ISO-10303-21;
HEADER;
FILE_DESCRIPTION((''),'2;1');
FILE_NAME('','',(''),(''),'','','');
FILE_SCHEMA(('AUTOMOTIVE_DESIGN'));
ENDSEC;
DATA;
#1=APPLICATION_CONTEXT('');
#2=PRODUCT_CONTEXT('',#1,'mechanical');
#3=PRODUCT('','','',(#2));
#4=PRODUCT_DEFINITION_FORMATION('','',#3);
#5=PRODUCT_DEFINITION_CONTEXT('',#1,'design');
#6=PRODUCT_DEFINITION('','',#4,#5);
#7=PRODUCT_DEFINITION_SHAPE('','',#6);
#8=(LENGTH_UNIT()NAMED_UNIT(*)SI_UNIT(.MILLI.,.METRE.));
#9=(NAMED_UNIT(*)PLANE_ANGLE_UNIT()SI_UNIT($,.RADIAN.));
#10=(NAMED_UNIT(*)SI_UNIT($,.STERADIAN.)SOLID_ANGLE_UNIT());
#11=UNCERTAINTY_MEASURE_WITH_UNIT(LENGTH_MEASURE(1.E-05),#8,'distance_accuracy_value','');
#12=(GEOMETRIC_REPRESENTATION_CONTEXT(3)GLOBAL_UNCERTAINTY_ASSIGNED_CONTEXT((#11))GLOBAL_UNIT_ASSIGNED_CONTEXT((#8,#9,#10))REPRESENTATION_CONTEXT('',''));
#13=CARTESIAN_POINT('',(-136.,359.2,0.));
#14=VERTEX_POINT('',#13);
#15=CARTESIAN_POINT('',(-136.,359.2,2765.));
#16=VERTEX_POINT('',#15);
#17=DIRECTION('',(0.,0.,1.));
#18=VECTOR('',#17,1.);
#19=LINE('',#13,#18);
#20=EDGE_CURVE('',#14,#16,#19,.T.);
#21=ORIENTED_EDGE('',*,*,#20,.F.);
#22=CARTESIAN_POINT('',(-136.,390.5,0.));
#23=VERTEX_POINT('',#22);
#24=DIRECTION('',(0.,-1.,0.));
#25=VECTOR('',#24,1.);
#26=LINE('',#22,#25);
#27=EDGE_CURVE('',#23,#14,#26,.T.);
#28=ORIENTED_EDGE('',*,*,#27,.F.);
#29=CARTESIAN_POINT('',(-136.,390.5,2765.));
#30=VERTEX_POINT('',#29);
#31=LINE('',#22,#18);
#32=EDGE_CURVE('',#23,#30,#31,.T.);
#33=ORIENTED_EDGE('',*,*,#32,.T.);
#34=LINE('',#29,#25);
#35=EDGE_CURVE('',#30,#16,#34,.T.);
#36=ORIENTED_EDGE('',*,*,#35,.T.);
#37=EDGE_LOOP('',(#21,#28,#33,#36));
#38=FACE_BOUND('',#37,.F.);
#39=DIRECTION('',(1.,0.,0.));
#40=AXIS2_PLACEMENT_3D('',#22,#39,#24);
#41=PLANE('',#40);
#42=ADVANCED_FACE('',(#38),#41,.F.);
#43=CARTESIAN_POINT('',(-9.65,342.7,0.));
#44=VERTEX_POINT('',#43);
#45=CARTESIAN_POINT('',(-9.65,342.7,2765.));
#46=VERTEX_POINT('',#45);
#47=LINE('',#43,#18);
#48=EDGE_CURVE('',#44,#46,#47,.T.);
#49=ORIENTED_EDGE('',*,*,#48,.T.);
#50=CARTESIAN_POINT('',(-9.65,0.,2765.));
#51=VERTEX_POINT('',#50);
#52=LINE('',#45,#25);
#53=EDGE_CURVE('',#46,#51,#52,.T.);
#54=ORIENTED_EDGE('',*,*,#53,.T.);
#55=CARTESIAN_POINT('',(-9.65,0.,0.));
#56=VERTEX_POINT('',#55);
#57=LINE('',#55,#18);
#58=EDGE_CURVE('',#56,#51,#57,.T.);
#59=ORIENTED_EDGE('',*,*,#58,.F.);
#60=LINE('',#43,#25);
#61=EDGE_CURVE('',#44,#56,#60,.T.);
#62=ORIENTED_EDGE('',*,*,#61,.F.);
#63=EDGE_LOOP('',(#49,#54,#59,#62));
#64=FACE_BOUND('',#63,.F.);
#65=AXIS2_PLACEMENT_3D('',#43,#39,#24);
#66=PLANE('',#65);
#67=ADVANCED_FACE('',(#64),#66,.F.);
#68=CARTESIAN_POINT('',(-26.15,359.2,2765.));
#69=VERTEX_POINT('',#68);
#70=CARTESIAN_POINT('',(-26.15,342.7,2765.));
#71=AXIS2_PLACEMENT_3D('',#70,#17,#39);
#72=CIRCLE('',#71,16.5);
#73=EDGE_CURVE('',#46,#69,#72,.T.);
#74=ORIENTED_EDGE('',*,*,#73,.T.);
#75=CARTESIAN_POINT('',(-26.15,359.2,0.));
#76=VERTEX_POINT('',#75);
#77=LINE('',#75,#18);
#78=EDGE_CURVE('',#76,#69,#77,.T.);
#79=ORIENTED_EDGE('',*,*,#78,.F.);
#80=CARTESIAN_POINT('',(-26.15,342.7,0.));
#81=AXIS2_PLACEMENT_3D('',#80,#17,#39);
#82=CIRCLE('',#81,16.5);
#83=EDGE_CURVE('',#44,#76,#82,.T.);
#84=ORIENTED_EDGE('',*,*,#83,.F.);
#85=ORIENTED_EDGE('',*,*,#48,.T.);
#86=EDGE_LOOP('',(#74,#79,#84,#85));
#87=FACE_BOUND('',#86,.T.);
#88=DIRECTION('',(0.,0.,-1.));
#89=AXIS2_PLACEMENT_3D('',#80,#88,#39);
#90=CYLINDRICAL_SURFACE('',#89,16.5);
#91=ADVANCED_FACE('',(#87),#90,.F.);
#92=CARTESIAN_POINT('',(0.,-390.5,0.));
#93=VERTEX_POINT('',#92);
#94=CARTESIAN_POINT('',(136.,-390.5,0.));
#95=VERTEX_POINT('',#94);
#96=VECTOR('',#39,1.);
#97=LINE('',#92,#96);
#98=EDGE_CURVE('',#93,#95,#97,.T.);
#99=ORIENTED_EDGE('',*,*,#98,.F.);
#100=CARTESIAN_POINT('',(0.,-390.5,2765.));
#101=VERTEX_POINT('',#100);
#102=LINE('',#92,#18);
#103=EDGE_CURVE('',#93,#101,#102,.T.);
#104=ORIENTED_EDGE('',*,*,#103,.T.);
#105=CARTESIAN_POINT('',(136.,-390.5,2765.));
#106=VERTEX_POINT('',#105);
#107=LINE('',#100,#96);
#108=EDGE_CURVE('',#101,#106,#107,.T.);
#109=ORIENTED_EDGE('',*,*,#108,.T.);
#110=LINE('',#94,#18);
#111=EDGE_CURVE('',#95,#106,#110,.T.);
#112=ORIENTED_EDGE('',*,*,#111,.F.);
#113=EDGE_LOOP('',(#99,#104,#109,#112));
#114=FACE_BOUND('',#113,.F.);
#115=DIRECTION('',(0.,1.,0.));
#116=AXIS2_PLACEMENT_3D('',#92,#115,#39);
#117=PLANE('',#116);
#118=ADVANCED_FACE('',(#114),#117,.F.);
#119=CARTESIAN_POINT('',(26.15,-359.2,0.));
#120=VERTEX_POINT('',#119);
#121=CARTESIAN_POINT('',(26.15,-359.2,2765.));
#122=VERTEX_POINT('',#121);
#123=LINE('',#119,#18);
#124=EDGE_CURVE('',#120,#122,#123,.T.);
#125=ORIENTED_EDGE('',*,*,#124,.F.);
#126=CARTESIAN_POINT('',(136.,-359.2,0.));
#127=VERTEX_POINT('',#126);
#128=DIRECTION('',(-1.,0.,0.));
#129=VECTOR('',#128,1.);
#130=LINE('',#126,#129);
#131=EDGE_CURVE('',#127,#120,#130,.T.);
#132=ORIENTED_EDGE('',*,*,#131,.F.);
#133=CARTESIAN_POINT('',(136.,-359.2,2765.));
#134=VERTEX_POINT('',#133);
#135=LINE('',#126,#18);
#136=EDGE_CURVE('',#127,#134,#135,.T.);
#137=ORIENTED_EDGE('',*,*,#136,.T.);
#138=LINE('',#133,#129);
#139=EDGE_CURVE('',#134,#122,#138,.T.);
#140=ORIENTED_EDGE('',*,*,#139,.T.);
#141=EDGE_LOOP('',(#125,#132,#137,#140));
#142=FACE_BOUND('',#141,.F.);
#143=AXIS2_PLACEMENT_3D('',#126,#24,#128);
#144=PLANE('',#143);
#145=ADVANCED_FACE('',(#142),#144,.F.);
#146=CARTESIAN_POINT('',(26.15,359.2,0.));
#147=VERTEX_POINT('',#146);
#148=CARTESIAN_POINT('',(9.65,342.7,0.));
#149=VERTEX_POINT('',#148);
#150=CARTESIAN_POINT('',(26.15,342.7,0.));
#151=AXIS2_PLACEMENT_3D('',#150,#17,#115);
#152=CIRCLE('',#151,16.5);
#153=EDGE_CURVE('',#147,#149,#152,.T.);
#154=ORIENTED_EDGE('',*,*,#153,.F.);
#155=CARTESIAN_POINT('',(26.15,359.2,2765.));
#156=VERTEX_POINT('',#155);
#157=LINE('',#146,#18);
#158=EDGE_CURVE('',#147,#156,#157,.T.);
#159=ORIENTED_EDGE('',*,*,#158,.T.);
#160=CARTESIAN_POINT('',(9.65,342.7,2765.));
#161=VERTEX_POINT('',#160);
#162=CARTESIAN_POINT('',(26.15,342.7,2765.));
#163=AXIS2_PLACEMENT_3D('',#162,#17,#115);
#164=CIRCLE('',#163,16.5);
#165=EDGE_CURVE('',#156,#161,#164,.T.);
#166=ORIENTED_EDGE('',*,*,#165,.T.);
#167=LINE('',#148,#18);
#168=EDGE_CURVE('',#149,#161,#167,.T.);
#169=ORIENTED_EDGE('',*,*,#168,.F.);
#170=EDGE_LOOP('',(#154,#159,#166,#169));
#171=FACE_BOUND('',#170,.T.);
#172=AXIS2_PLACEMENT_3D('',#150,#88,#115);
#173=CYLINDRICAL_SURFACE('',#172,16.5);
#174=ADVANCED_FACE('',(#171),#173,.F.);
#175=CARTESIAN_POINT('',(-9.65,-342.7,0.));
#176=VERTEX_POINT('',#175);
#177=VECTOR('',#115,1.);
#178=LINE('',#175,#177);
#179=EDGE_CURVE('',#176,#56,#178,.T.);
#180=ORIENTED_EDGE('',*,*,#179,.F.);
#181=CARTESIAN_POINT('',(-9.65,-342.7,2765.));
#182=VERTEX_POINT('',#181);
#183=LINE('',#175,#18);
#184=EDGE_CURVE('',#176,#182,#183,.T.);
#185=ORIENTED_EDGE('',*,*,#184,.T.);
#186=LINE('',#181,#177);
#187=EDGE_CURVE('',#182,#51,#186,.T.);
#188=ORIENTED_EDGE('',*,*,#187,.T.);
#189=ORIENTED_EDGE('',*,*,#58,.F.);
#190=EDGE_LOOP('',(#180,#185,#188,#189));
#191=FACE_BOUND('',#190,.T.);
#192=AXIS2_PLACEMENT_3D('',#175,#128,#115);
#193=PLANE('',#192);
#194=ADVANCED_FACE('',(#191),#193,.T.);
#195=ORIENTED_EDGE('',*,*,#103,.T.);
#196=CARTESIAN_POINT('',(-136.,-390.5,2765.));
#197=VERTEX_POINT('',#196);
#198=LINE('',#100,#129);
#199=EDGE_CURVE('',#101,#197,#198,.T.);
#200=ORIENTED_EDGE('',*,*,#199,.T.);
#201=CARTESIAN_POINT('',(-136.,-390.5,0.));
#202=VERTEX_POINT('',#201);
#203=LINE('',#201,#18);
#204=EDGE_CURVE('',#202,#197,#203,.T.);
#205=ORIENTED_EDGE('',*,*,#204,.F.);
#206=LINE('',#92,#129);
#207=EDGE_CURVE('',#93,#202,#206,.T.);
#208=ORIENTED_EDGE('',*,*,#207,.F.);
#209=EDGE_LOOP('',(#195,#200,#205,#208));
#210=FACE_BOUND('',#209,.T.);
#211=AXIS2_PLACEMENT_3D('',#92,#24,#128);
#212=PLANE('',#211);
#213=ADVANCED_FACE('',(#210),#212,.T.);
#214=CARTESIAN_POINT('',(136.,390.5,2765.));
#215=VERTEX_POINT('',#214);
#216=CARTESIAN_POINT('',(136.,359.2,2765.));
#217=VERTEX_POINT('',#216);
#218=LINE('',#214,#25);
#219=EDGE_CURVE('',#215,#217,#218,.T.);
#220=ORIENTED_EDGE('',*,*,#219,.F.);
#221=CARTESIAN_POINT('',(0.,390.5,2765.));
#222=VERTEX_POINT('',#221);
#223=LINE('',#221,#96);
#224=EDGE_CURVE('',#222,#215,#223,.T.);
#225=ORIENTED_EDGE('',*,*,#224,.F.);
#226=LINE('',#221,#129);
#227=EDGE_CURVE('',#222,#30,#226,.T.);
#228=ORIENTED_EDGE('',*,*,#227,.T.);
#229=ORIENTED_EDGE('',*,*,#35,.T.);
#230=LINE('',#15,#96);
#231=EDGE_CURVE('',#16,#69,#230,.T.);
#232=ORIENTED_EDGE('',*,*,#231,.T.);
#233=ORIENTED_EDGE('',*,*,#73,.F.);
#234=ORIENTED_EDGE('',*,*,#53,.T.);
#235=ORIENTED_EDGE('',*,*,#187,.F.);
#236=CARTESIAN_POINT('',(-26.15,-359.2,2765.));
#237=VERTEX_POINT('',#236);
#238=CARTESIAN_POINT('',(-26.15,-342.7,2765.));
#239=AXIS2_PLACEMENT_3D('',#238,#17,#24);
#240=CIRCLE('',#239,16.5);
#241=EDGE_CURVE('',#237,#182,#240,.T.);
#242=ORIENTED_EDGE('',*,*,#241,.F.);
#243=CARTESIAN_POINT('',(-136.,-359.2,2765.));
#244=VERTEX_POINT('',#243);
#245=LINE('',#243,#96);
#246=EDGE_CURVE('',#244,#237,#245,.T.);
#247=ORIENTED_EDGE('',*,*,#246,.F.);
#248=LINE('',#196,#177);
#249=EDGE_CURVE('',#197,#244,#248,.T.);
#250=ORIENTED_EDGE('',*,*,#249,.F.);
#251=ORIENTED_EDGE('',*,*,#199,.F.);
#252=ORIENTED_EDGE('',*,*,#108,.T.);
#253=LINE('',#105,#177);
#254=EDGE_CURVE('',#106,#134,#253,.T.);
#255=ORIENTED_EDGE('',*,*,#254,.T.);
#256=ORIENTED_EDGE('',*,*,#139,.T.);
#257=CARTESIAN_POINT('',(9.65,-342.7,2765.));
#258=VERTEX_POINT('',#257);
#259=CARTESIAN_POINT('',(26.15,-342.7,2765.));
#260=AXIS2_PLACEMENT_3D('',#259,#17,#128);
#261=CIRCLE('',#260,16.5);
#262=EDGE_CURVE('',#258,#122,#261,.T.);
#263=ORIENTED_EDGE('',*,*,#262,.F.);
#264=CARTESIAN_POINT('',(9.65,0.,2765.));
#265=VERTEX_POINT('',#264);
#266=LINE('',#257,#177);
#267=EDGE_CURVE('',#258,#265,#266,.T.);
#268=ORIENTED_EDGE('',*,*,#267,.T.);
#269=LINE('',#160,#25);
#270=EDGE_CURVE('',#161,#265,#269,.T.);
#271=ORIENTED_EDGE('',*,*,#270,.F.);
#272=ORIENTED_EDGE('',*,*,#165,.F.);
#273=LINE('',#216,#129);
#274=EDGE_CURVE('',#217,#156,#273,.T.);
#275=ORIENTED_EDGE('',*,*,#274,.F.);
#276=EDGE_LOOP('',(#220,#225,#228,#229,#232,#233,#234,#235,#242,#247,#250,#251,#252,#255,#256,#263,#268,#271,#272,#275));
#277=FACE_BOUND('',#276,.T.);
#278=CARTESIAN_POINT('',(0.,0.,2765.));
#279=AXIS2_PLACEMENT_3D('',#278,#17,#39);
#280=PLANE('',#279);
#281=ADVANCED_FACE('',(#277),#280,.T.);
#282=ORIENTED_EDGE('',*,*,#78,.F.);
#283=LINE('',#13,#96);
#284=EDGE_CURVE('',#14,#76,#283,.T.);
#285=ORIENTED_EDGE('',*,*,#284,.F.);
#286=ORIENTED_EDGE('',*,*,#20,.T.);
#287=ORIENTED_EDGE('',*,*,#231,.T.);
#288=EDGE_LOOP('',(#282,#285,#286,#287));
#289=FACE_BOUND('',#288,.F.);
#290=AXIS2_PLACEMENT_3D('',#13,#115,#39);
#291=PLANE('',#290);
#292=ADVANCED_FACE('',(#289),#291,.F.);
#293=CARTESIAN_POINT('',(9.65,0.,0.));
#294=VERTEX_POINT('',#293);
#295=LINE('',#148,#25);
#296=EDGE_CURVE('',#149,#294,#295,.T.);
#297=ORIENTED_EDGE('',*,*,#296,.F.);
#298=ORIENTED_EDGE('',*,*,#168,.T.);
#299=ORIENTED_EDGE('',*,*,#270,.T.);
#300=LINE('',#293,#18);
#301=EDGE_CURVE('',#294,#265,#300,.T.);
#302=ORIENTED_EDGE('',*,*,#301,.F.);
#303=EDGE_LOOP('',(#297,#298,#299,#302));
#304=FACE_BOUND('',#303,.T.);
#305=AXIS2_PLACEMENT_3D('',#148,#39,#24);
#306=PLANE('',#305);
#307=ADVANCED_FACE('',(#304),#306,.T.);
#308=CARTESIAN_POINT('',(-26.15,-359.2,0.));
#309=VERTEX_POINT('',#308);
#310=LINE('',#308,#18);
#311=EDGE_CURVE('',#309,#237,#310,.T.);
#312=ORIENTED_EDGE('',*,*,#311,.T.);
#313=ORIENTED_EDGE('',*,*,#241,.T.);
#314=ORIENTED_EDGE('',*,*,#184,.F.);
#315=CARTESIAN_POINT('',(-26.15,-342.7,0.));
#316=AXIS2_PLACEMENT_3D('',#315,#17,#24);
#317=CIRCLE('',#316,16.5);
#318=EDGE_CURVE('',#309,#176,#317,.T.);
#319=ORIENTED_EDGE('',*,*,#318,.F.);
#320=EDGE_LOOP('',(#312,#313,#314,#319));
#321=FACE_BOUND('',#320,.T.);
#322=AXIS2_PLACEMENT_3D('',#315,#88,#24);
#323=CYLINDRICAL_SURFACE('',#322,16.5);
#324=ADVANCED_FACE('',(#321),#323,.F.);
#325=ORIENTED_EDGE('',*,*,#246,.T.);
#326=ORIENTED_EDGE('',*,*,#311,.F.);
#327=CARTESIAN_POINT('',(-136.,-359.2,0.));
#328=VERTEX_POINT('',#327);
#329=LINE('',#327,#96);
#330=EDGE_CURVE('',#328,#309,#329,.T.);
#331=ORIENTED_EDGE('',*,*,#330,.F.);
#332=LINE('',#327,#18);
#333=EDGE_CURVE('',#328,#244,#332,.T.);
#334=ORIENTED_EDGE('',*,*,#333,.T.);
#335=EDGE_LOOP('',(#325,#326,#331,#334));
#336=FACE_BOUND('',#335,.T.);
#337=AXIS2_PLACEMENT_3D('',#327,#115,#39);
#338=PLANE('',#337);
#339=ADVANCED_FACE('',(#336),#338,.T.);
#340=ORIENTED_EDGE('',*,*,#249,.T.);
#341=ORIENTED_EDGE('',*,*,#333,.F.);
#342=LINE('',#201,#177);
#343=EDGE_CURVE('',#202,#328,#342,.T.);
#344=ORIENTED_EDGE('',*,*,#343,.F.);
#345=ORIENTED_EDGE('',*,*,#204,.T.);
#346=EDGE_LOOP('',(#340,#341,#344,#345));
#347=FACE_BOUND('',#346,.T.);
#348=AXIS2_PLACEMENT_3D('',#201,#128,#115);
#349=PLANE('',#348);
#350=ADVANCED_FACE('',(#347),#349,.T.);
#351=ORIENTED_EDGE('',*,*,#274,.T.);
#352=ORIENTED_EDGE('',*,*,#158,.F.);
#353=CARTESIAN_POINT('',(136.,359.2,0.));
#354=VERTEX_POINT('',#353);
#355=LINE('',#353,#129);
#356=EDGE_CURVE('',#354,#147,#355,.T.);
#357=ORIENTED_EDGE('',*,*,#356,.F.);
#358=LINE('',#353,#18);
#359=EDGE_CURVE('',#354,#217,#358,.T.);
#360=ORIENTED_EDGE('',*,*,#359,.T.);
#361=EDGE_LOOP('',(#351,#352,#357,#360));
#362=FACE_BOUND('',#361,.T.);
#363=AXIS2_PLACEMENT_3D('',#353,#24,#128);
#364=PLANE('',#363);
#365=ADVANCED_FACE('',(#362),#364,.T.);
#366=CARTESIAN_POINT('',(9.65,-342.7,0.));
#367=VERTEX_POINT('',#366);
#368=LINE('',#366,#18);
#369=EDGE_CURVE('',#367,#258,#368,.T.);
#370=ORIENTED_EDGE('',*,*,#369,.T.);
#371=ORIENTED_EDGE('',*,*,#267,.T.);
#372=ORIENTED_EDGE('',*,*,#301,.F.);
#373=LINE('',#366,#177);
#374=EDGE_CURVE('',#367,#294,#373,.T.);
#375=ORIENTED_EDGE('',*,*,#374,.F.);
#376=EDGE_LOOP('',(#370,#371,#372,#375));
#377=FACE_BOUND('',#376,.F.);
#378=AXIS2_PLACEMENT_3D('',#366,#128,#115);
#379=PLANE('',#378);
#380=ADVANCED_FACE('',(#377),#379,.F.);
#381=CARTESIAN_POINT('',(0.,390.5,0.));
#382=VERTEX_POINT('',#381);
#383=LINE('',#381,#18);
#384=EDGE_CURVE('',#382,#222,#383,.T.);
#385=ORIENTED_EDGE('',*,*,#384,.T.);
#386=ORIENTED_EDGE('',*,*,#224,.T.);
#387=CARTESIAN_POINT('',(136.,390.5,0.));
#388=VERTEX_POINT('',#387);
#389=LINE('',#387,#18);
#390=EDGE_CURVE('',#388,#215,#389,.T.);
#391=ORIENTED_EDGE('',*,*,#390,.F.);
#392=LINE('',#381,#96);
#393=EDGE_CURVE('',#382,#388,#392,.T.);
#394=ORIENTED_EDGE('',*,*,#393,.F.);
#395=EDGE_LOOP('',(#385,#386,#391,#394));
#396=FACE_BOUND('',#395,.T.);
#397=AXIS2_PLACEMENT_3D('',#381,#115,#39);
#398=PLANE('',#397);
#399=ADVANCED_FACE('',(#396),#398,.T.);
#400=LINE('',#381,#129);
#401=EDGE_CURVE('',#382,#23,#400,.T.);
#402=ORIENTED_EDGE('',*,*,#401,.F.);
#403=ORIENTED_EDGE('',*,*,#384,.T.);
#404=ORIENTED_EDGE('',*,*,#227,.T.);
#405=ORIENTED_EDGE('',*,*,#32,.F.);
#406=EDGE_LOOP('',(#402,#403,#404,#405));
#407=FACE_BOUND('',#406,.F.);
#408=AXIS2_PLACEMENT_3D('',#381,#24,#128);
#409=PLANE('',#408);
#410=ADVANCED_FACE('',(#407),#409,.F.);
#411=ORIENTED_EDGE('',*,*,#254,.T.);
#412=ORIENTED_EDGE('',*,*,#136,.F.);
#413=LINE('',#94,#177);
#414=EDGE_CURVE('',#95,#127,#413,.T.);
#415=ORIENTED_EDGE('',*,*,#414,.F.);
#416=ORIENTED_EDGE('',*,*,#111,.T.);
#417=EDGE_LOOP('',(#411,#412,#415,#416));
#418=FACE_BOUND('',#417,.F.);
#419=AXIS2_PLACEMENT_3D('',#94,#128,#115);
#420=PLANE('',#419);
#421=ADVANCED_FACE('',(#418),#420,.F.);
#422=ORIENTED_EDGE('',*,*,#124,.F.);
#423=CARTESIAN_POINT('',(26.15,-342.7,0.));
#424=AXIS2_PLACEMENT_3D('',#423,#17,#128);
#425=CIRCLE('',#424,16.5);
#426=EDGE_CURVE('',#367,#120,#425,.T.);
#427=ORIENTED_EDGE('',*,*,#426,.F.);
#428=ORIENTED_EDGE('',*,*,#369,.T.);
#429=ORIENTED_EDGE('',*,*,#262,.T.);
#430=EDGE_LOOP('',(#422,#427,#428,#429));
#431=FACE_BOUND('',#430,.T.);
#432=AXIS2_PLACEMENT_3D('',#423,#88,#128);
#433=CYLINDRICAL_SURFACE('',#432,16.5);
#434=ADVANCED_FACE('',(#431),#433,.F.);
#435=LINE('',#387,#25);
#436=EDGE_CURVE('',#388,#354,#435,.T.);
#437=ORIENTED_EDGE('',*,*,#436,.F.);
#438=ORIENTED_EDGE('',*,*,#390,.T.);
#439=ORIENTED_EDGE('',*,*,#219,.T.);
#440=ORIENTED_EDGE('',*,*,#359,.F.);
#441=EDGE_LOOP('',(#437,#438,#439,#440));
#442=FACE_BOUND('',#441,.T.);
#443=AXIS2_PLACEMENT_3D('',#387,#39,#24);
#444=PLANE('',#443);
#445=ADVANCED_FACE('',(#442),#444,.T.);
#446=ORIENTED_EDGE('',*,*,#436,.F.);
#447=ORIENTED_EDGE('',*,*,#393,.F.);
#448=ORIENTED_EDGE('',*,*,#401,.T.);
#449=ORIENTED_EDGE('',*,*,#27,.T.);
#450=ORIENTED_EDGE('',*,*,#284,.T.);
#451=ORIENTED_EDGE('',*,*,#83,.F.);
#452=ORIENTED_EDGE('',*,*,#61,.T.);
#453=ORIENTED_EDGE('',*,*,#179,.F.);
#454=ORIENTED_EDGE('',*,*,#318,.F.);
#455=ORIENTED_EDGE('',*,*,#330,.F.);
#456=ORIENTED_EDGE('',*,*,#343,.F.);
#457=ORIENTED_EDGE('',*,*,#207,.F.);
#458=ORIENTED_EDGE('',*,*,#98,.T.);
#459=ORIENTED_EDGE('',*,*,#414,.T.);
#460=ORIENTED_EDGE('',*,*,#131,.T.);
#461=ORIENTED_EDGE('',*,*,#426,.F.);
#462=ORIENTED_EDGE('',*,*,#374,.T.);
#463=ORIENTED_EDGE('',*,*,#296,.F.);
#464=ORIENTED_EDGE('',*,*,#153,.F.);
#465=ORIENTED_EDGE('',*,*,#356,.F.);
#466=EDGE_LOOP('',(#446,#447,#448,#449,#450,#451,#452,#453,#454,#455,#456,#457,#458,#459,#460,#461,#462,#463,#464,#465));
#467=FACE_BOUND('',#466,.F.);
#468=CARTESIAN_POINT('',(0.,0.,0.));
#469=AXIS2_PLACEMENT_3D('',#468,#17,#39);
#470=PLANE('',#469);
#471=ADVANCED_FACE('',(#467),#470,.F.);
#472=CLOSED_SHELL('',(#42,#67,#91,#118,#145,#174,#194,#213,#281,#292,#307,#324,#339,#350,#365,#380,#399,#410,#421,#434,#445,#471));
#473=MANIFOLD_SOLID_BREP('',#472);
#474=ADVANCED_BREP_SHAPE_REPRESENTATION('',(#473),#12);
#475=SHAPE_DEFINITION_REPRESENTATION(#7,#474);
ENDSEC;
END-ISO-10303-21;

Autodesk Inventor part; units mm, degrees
ref_plane "YZ Plane" through (0, 0, 0) normal (1, 0, 0) x (0, 1, 0)
ref_plane "Start plane" through (0, 0, 0) normal (0, 0, 1) x (1, 0, 0)
ref_plane "End plane" through (0, 0, 2765) normal (0, 0, 1) x (1, 0, 0)
sketch "Sketch" plane through (0, 0, 0) normal (0, 0, 1) x (1, 0, 0)
  line L0 (-136, -390.5) -> (-136, -359.2)
  line L1 (-136, -359.2) -> (-26.15, -359.2)
  line L2 (-9.65, -342.7) -> (-9.65, 0)
  line L3 (-9.65, 0) -> (0, 0) construction
  line L4 (0, 0) -> (0, -390.5) construction
  line L5 (0, -390.5) -> (-136, -390.5)
  line L6 (-60, 0) -> (80, 0) construction
  line L7 (0, -60) -> (0, 80) construction
  line L8 (136, -390.5) -> (136, -359.2)
  line L9 (136, -359.2) -> (26.15, -359.2)
  line L10 (9.65, -342.7) -> (9.65, 0)
  line L11 (9.65, 0) -> (0, 0) construction
  line L12 (0, -390.5) -> (136, -390.5)
  line L13 (-136, 390.5) -> (-136, 359.2)
  line L14 (-136, 359.2) -> (-26.15, 359.2)
  line L15 (-9.65, 342.7) -> (-9.65, 0)
  line L16 (0, 390.5) -> (-136, 390.5)
  line L17 (136, 390.5) -> (136, 359.2)
  line L18 (136, 359.2) -> (26.15, 359.2)
  line L19 (0, 390.5) -> (136, 390.5)
  line L20 (9.65, 342.7) -> (9.65, 0)
  arc A0 (-9.65, 342.7) -> (-26.15, 359.2) centre (-26.15, 342.7) ccw
  arc A1 (26.15, 359.2) -> (9.65, 342.7) centre (26.15, 342.7) ccw
  arc A2 (9.65, -342.7) -> (26.15, -359.2) centre (26.15, -342.7) ccw
  arc A3 (-26.15, -359.2) -> (-9.65, -342.7) centre (-26.15, -342.7) ccw
  line L21 (0, 108) -> (0, -88) construction
  line L22 (-88, 0) -> (108, 0) construction
  point P0 (-9.65, -359.2)
  point P1 (9.65, -359.2)
  point P2 (-9.65, 359.2)
  point P3 (9.65, 359.2)
  dimension "d1" = 390.5
  dimension "d2" = 31.3
  dimension "d3" = 136
  dimension "d4" = 9.65
  dimension "d10" = 16.5
extrude "Body" add sketch "Sketch" along normal up to surface (2765 mm away) from surface at 0
sketch "Sketch4" plane through (0, 0, 0) normal (0, 0, 1) x (1, 0, 0)
  line L0 (0, 0) -> (10, 0)
ref_plane "Work Plane3" through (0, 0, 0) normal (0, -1, 0) x (1, 0, 0)
sketch "Sketch5" plane through (0, 0, 0) normal (0, -1, 0) x (1, 0, 0)
  line L0 (-2, 0) -> (12, 0) projected
  line L1 (-2, 2765) -> (12, 2765) projected
  dimension "d14" = 2765
equation "\"d1\" = 0.5 * G_H"
equation "\"d2\" = G_T1"
equation "\"d3\" = 0.5 * G_W"
equation "\"d4\" = 0.5 * G_T"
equation "\"d10\" = G_IR"
equation "\"d5\" = G_L"
equation "\"G_W\" = 272"
equation "\"G_H\" = 781"
equation "\"G_T\" = 19.3"
equation "\"G_T1\" = 31.3"
equation "\"G_IR\" = 16.5"
equation "\"G_L\" = d14"
equation "\"G_OFFSET_START\" = 0"
equation "\"G_OFFSET_END\" = 0"
equation "\"d12\" = G_OFFSET_END + B_L"
equation "\"B_L\" = 2765"
properties part number "AS 3679-1990 - 760 UB - 244 - 2765" material "Steel, Mild"
